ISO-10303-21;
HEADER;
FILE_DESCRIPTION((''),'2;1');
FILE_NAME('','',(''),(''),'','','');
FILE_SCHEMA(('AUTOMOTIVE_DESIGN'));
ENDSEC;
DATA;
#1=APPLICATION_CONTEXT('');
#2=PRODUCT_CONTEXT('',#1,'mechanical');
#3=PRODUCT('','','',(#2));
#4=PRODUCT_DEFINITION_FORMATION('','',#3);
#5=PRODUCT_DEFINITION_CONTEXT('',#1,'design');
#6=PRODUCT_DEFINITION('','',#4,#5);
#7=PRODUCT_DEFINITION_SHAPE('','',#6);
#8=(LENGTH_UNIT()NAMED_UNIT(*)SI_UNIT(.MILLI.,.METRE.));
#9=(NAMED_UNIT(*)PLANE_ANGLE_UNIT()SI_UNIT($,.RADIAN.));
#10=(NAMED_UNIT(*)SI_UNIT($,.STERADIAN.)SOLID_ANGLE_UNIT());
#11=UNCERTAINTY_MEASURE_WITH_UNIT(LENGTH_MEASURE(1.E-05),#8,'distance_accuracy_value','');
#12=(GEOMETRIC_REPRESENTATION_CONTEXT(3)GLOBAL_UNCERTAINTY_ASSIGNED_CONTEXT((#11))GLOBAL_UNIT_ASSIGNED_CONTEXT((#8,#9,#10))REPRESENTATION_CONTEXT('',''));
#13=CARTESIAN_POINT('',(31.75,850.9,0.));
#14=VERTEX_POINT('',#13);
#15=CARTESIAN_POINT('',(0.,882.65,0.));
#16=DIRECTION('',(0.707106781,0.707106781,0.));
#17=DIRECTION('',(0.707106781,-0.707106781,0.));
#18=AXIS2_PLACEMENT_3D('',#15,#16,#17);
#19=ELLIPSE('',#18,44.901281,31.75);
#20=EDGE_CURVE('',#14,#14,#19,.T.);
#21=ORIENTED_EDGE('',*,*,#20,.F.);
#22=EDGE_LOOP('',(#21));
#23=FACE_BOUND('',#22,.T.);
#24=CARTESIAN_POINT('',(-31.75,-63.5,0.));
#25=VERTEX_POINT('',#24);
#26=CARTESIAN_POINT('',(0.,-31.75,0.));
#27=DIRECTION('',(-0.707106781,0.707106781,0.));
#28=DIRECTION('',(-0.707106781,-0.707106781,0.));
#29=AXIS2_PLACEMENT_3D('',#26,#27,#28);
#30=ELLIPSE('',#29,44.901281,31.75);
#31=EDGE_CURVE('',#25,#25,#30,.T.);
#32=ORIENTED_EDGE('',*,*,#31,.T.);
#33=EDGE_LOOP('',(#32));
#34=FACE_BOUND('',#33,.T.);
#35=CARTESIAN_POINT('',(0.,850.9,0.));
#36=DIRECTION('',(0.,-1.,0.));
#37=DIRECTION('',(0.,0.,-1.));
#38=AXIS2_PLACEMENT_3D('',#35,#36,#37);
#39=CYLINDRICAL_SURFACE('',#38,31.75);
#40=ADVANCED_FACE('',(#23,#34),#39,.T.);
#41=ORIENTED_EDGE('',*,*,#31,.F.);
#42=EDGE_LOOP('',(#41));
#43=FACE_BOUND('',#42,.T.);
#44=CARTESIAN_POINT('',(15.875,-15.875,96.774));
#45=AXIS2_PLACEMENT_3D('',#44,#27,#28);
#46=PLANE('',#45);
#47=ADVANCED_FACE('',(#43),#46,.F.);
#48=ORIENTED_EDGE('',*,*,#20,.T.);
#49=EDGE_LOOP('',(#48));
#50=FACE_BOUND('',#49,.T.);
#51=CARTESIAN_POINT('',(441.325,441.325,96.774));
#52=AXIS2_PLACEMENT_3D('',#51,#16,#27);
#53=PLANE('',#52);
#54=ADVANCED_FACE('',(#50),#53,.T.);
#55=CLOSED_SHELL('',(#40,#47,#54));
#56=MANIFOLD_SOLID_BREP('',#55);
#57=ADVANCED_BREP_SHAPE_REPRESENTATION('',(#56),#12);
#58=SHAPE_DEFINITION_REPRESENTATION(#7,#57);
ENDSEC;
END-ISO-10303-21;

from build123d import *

# Parameters (mm, degrees)
SKETCH1_R               = 31.75
BOSS_EXTRUDE3_DEPTH     = 850.9
BOSS_EXTRUDE4_START     = -63.5
SKETCH1_3_R             = 31.75
BOSS_EXTRUDE4_DEPTH     = 63.5
SKETCH5_R               = 31.75
BOSS_EXTRUDE5_DEPTH     = 63.5
CUT_EXTRUDE7_DEPTH      = 96.774
CUT_EXTRUDE7_DEPTH_BACK = 96.774


with BuildPart() as part:
    # Sketch1 → Boss-Extrude3 (new body)
    with BuildSketch(Plane(origin=(0, 0, 0), x_dir=(1, 0, 0), z_dir=(0, 1, 0))):
        Circle(SKETCH1_R)
    extrude(amount=BOSS_EXTRUDE3_DEPTH)

    # Sketch1<3> → Boss-Extrude4 (add)
    with BuildSketch(Plane(origin=(0, 0, 0), x_dir=(1, 0, 0), z_dir=(0, 1, 0)).offset(BOSS_EXTRUDE4_START)):
        Circle(SKETCH1_3_R)
    extrude(amount=BOSS_EXTRUDE4_DEPTH)

    # Sketch5 → Boss-Extrude5 (add)
    with BuildSketch(Plane(origin=(0, 850.9, 0), x_dir=(1, 0, 0), z_dir=(0, 1, 0))):
        Circle(SKETCH5_R)
    extrude(amount=BOSS_EXTRUDE5_DEPTH)

    # Sketch2 → Cut-Extrude7 (cut, two sides: drawn at the far end of the back side and taken through both)
    with BuildSketch(Plane.XY.offset(-CUT_EXTRUDE7_DEPTH_BACK)):
        Polygon((-31.75, 914.4), (31.75, 850.9), (31.75, 914.4), align=None)
        Polygon((31.75, -63.5), (31.75, 0), (-31.75, -63.5), align=None)
    extrude(amount=CUT_EXTRUDE7_DEPTH + CUT_EXTRUDE7_DEPTH_BACK, mode=Mode.SUBTRACT)


solid = part.part
